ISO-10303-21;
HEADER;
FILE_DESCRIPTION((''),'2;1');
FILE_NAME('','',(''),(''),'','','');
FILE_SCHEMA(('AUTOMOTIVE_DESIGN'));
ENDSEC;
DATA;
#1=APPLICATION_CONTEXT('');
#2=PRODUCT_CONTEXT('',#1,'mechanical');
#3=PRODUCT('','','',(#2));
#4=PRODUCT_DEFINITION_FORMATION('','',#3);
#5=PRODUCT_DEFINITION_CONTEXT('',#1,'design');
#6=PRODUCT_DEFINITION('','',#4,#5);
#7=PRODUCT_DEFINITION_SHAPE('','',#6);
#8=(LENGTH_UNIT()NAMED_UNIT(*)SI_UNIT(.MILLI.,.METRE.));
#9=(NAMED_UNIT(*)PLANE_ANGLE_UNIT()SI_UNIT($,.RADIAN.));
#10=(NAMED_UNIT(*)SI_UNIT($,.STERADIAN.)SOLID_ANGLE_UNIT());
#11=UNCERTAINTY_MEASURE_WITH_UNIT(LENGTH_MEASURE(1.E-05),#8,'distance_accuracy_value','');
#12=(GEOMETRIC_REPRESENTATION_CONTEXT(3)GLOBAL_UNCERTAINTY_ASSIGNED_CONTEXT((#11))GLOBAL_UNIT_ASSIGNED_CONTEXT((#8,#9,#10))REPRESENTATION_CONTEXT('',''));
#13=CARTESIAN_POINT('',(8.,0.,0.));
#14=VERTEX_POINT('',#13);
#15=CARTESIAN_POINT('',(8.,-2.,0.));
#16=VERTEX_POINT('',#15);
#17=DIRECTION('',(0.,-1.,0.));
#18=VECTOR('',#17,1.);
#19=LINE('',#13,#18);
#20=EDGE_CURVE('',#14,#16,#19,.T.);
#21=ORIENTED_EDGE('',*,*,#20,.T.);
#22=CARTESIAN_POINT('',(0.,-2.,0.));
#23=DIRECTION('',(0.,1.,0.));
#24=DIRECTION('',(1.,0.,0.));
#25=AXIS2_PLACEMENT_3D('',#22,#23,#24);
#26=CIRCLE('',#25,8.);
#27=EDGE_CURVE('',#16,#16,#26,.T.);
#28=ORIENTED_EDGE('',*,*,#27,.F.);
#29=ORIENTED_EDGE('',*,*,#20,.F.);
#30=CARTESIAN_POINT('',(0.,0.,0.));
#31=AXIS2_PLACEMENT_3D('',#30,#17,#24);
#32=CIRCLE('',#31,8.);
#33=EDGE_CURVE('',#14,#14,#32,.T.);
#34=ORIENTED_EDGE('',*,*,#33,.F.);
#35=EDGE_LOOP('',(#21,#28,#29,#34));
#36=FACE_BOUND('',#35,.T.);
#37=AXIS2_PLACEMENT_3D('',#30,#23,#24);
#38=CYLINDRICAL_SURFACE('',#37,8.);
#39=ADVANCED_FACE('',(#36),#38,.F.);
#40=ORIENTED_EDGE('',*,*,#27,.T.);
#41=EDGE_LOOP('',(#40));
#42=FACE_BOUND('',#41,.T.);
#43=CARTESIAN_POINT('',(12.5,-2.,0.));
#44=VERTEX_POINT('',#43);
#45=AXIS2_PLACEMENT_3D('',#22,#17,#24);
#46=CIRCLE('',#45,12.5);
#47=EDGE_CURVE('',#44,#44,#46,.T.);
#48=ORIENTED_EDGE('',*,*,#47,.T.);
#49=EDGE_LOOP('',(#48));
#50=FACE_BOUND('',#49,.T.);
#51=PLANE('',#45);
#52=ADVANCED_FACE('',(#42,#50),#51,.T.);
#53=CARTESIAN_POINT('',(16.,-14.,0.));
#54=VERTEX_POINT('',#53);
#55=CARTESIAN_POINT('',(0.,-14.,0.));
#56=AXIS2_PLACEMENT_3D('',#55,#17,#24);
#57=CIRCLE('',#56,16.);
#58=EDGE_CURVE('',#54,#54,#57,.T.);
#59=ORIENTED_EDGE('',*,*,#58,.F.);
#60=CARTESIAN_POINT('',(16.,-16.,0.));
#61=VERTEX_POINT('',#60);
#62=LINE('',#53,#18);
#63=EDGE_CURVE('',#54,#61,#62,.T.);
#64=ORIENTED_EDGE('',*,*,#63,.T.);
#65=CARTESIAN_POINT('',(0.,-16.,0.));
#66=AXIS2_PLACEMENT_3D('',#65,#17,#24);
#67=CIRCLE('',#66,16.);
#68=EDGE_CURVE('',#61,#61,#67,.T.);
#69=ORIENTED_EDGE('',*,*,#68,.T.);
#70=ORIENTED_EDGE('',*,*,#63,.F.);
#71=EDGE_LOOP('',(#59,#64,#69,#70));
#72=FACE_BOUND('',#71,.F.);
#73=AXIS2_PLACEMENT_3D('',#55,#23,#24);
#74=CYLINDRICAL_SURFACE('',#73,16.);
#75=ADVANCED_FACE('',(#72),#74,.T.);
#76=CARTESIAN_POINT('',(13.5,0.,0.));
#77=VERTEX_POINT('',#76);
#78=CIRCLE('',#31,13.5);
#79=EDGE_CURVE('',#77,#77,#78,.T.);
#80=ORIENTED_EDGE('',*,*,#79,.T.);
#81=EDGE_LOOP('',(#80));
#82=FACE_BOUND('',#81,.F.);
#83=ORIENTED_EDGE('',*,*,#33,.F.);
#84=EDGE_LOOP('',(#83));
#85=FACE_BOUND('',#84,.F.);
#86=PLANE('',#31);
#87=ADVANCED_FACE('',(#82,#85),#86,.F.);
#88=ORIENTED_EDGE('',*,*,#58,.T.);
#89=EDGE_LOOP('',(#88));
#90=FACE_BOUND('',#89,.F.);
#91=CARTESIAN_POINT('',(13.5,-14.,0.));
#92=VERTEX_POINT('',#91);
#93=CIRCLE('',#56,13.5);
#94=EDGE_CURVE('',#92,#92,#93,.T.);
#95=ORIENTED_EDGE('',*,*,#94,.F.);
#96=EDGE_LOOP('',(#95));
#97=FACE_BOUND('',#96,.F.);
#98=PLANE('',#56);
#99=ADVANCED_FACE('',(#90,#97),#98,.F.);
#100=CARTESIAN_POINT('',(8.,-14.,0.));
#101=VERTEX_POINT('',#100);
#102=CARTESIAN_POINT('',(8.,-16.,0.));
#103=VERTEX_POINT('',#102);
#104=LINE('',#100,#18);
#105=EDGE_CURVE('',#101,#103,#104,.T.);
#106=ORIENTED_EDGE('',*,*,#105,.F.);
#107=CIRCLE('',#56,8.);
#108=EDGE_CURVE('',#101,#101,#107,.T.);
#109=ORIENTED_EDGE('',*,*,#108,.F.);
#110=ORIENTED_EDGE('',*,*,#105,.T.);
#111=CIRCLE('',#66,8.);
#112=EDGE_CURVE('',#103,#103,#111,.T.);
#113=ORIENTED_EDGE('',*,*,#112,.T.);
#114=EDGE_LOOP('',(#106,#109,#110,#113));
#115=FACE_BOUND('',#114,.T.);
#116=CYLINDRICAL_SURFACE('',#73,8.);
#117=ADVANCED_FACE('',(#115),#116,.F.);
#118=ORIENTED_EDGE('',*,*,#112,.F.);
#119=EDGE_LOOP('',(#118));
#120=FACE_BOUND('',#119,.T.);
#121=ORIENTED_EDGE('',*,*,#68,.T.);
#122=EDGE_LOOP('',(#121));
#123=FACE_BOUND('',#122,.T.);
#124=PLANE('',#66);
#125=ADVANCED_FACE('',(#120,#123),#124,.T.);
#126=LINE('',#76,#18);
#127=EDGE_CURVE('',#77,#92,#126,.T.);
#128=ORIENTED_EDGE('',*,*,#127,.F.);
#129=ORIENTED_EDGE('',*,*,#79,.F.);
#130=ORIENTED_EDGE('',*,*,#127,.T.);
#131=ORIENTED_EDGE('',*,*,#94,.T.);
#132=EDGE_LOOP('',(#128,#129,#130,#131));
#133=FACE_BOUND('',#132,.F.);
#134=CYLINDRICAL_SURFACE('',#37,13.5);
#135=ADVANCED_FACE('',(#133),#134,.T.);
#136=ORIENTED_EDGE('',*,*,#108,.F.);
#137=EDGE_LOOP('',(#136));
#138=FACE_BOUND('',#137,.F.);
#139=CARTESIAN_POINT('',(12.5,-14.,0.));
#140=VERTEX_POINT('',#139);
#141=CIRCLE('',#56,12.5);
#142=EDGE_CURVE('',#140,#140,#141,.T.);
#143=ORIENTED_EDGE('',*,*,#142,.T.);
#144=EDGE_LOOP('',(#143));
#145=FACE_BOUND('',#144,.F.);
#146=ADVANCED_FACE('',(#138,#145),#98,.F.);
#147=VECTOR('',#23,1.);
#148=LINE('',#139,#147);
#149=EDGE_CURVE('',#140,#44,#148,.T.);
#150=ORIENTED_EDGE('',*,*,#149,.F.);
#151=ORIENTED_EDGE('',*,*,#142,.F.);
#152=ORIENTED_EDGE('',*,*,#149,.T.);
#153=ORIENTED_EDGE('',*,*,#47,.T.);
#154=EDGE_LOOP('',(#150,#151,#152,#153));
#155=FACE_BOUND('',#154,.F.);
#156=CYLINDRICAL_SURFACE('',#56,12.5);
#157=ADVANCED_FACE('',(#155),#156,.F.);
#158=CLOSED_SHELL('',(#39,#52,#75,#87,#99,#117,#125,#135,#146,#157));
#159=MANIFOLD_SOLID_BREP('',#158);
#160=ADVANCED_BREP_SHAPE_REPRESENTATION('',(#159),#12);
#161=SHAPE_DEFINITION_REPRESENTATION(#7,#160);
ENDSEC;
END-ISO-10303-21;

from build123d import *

# Parameters (mm, degrees)
F0_R     = 13.5
F0_R_2   = 8
F1_DEPTH = 14
F2_R     = 12.5
F3_DEPTH = 12
F4_R     = 16
F4_R_2   = 8
F5_DEPTH = 2


with BuildPart() as f1:
    # F0 (on Front) → F1 (new body)
    with BuildSketch(Plane.XZ):
        Circle(F0_R)
        Circle(F0_R_2, mode=Mode.SUBTRACT)
    extrude(amount=F1_DEPTH)

    # F2 (on face) → F3 (cut)
    with BuildSketch(Plane.XZ.offset(14)):
        Circle(F2_R)
    extrude(amount=-F3_DEPTH, mode=Mode.SUBTRACT)

    # F4 (on face) → F5 (join)
    with BuildSketch(Plane.XZ.offset(14)):
        Circle(F4_R)
        Circle(F4_R_2, mode=Mode.SUBTRACT)
    extrude(amount=F5_DEPTH)


solid = f1.part
